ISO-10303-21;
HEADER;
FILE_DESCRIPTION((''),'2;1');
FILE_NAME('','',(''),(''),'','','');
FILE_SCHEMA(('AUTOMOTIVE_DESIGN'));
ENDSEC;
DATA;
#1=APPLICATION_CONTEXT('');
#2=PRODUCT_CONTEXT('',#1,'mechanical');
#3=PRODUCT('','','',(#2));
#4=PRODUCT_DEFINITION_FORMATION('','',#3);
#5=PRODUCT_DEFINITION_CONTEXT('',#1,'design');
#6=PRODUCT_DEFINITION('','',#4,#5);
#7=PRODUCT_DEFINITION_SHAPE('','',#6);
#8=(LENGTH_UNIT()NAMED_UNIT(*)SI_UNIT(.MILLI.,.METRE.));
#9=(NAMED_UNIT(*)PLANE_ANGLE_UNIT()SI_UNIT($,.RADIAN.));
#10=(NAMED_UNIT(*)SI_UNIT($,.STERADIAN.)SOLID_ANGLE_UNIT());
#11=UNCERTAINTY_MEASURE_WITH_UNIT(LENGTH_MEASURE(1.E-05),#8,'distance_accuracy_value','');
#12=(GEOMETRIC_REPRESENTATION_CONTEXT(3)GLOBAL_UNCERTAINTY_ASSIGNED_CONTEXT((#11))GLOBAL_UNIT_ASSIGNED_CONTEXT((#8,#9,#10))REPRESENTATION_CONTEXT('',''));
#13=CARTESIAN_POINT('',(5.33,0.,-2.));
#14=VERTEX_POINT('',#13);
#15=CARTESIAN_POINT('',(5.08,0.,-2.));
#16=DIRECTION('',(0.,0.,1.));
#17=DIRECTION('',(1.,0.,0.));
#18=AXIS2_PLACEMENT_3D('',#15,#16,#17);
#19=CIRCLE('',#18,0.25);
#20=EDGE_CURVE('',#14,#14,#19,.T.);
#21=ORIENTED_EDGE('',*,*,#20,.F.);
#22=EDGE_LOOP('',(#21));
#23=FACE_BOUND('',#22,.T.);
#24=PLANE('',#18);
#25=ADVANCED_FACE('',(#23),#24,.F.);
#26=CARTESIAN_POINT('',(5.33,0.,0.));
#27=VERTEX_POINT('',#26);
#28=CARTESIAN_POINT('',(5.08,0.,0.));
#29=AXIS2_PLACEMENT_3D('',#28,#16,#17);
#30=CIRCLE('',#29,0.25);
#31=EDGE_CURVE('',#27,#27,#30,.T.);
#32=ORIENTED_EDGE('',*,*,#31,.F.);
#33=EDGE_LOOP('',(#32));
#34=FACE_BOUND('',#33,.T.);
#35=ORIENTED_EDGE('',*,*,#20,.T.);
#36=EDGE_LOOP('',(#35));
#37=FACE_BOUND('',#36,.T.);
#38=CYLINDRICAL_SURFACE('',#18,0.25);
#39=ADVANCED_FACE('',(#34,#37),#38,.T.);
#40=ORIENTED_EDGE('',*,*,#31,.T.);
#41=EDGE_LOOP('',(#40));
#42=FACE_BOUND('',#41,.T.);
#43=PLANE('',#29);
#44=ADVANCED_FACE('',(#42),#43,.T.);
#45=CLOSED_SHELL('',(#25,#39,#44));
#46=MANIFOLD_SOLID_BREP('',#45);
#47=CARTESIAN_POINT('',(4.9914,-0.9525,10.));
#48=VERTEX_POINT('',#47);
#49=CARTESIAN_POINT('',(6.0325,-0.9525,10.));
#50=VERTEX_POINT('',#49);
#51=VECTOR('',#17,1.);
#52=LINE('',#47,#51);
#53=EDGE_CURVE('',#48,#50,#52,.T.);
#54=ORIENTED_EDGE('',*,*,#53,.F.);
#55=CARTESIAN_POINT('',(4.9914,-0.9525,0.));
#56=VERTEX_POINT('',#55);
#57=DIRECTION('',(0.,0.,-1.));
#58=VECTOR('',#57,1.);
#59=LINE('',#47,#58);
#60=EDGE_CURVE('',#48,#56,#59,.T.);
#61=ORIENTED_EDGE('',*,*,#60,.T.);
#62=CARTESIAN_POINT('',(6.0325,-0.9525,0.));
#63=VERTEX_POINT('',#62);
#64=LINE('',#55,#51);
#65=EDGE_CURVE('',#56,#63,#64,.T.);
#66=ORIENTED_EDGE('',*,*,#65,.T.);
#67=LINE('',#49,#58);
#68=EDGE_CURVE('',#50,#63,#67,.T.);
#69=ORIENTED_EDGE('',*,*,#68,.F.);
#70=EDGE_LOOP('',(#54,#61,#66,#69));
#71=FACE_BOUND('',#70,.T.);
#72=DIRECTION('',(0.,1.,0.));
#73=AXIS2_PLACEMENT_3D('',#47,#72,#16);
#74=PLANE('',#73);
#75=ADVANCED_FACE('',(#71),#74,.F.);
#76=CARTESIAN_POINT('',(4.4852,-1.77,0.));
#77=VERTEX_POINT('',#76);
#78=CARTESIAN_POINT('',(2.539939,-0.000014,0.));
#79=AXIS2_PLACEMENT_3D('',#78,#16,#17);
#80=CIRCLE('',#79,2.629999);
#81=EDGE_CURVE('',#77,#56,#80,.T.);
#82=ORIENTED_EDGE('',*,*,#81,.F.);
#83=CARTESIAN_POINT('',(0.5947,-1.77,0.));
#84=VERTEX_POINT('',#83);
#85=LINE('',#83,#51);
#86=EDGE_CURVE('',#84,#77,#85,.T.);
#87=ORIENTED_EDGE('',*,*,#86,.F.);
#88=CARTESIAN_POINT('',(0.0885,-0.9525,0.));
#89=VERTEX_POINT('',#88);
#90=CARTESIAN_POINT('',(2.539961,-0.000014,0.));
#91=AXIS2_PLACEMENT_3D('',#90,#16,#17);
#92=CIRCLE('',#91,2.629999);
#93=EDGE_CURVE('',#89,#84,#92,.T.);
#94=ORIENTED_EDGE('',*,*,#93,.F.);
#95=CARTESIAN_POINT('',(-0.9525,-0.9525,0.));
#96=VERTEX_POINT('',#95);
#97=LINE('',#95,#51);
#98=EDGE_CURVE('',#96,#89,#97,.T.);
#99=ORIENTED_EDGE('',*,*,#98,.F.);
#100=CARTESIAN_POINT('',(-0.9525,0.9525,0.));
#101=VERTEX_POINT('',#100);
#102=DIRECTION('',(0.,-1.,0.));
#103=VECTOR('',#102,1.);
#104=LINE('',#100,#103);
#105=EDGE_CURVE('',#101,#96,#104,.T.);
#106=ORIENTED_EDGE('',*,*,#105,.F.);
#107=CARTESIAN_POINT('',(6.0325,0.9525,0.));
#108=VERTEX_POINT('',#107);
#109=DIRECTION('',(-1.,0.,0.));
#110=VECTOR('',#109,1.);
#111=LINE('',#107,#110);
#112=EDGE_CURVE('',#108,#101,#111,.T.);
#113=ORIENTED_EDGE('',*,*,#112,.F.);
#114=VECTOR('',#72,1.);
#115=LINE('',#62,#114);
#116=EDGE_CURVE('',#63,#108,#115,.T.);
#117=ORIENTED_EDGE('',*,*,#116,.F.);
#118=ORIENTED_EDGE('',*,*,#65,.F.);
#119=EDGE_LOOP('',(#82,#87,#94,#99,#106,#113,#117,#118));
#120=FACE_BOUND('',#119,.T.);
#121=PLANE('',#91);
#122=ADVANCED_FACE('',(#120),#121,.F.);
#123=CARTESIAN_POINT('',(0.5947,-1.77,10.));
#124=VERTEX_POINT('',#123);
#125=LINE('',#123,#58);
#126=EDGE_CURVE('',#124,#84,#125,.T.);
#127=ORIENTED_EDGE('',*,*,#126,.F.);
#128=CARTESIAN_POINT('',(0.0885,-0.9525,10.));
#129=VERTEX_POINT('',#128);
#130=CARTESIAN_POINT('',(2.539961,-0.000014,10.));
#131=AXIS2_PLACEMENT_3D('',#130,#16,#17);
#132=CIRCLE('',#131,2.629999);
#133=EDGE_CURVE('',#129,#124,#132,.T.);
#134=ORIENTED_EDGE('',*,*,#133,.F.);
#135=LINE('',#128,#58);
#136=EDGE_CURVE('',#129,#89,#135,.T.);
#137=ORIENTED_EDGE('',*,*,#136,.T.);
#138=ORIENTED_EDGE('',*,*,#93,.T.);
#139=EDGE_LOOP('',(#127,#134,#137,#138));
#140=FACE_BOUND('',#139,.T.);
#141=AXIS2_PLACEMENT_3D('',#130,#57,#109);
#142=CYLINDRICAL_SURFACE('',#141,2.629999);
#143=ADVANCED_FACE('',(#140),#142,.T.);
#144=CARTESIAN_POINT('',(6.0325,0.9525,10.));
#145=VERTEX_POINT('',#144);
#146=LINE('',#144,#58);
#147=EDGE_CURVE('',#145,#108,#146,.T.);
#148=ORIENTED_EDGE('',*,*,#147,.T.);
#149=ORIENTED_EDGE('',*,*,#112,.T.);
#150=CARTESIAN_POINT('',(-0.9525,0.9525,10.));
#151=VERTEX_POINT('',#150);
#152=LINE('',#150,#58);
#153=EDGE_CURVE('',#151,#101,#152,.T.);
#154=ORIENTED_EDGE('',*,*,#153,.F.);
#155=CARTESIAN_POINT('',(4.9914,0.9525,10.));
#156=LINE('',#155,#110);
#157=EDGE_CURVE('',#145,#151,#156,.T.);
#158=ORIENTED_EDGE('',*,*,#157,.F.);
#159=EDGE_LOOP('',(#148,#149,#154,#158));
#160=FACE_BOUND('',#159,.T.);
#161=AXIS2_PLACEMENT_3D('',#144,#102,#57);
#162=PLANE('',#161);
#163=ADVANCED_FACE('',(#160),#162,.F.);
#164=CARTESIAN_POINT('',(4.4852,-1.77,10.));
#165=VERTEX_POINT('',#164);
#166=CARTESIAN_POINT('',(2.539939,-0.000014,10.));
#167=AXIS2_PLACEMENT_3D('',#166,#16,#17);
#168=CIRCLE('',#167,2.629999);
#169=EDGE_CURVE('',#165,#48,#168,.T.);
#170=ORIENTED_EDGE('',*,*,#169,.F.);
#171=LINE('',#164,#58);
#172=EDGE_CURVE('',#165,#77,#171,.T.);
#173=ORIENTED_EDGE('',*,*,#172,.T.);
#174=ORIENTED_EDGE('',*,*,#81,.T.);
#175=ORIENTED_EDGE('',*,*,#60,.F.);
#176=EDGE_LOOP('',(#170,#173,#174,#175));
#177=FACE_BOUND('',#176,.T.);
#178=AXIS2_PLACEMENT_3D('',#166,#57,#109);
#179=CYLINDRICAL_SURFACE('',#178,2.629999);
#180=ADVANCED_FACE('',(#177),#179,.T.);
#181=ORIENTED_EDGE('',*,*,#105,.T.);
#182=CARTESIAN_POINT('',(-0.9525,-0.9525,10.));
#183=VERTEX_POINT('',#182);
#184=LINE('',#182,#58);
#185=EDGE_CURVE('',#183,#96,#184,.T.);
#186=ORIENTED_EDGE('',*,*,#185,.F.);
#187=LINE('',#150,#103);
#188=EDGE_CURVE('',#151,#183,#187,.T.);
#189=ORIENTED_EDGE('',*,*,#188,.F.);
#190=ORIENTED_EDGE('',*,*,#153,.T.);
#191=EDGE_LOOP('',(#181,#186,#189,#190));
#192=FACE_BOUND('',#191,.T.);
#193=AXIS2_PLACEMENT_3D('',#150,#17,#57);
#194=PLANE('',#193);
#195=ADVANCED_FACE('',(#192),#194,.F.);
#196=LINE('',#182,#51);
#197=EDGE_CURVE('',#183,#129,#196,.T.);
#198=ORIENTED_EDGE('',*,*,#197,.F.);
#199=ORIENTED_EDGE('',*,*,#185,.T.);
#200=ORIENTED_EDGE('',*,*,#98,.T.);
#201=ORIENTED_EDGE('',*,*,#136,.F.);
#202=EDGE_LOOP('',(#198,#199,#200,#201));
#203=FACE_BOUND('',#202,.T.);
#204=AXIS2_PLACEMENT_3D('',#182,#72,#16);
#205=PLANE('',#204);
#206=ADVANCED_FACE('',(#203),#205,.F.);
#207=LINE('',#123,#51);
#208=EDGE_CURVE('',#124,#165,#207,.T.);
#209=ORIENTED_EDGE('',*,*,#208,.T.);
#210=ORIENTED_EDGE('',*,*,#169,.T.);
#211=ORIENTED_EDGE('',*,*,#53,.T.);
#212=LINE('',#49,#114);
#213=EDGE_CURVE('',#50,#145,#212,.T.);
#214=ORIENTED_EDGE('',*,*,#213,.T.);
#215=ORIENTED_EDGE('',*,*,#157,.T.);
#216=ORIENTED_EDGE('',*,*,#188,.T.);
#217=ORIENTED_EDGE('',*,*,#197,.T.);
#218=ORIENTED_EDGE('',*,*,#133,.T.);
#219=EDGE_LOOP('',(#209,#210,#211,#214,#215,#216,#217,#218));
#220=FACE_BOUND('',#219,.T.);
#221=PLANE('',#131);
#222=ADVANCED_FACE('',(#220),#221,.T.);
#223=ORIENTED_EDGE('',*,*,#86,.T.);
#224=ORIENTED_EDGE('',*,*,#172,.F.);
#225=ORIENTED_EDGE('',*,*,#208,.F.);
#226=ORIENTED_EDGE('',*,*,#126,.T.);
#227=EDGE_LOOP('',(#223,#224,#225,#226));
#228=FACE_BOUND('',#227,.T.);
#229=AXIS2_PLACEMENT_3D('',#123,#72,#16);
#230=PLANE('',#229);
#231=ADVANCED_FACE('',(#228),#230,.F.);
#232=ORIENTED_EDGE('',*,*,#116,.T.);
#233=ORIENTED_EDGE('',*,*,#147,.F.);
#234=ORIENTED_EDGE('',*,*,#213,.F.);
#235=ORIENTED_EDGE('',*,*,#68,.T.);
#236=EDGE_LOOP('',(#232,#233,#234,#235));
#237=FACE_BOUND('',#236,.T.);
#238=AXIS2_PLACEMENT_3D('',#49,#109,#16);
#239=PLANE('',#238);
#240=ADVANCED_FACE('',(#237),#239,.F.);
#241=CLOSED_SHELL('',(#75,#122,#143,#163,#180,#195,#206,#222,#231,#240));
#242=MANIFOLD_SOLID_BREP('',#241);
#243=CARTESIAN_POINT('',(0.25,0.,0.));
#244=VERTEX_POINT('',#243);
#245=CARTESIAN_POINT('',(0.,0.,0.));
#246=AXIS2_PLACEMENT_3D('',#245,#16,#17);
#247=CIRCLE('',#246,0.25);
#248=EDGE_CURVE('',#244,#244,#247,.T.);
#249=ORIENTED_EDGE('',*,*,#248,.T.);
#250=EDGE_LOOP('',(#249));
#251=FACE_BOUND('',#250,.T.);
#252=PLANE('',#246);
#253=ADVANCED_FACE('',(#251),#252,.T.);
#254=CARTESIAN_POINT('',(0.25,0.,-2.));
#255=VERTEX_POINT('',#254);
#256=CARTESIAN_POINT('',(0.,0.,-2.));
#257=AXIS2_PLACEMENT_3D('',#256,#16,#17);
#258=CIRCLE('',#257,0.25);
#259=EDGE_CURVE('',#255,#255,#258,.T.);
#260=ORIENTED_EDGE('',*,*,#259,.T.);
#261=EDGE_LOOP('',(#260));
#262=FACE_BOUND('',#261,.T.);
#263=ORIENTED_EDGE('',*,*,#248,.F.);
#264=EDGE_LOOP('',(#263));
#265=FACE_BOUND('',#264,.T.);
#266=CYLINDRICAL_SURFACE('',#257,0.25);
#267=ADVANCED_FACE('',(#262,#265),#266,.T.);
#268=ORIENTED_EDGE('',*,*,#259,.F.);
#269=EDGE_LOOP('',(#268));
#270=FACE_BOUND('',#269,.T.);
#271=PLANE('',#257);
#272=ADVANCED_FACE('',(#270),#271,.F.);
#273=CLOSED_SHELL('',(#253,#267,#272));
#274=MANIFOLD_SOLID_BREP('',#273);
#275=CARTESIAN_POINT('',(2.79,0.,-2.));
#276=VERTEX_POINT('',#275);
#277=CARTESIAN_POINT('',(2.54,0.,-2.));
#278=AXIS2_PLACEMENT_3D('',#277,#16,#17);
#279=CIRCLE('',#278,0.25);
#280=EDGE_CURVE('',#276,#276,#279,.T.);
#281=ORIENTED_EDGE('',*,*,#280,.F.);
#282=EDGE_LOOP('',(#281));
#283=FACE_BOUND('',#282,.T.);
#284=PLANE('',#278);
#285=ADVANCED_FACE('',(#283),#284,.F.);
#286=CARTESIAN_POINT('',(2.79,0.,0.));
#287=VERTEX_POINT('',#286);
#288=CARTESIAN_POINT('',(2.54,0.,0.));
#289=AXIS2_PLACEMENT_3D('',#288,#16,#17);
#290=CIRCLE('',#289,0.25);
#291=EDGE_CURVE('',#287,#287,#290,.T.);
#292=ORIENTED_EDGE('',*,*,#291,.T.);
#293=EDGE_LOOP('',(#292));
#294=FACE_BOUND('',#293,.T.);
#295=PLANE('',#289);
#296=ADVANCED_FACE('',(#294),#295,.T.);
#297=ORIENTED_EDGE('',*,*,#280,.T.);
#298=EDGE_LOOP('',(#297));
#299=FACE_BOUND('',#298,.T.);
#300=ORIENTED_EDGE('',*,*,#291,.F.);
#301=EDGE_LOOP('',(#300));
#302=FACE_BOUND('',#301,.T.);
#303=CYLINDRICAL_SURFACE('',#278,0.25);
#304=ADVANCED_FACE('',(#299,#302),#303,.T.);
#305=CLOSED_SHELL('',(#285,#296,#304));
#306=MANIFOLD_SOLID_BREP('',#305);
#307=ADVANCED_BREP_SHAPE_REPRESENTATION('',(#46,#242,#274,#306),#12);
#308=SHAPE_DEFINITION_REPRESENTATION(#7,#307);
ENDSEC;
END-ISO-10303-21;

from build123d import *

# Parameters (mm, degrees)
COMPONENT_OUTLINE_DEPTH = 10
SKETCH2_R               = 0.25
EXTRUDE_1_DEPTH         = 2
SKETCH3_R               = 0.25
EXTRUDE_2_DEPTH         = 2
SKETCH4_R               = 0.25
EXTRUDE_3_DEPTH         = 2


with BuildPart() as part:
    # Sketch1 → Component_Outline (new body)
    with BuildSketch(Plane.XY):
        with BuildLine():
            Line((0.0885, 0.9525), (-0.9525, 0.9525))
            Line((-0.9525, 0.9525), (-0.9525, -0.9525))
            Line((-0.9525, -0.9525), (0.0885, -0.9525))
            ThreePointArc((0.0885, -0.9525), (0.303922623, -1.384580016), (0.5947, -1.77))
            Line((0.5947, -1.77), (4.4852, -1.77))
            ThreePointArc((4.4852, -1.77), (4.775977377, -1.384580016), (4.9914, -0.9525))
            Line((4.9914, -0.9525), (6.0325, -0.9525))
            Line((6.0325, -0.9525), (6.0325, 0.9525))
            Line((6.0325, 0.9525), (4.9914, 0.9525))
            Line((4.9914, 0.9525), (0.0885, 0.9525))
        make_face()
    extrude(amount=COMPONENT_OUTLINE_DEPTH)


with BuildPart() as body_2:
    # Sketch2 → Extrude 1 (new body)
    with BuildSketch(Plane.XY):
        Circle(SKETCH2_R)
    extrude(amount=-EXTRUDE_1_DEPTH)


with BuildPart() as body_3:
    # Sketch3 → Extrude 2 (new body)
    with BuildSketch(Plane.XY):
        with Locations((2.54, 0)):
            Circle(SKETCH3_R)
    extrude(amount=-EXTRUDE_2_DEPTH)


with BuildPart() as body_4:
    # Sketch4 → Extrude 3 (new body)
    with BuildSketch(Plane.XY):
        with Locations((5.08, 0)):
            Circle(SKETCH4_R)
    extrude(amount=-EXTRUDE_3_DEPTH)


solid = Compound([part.part, body_2.part, body_3.part, body_4.part])
